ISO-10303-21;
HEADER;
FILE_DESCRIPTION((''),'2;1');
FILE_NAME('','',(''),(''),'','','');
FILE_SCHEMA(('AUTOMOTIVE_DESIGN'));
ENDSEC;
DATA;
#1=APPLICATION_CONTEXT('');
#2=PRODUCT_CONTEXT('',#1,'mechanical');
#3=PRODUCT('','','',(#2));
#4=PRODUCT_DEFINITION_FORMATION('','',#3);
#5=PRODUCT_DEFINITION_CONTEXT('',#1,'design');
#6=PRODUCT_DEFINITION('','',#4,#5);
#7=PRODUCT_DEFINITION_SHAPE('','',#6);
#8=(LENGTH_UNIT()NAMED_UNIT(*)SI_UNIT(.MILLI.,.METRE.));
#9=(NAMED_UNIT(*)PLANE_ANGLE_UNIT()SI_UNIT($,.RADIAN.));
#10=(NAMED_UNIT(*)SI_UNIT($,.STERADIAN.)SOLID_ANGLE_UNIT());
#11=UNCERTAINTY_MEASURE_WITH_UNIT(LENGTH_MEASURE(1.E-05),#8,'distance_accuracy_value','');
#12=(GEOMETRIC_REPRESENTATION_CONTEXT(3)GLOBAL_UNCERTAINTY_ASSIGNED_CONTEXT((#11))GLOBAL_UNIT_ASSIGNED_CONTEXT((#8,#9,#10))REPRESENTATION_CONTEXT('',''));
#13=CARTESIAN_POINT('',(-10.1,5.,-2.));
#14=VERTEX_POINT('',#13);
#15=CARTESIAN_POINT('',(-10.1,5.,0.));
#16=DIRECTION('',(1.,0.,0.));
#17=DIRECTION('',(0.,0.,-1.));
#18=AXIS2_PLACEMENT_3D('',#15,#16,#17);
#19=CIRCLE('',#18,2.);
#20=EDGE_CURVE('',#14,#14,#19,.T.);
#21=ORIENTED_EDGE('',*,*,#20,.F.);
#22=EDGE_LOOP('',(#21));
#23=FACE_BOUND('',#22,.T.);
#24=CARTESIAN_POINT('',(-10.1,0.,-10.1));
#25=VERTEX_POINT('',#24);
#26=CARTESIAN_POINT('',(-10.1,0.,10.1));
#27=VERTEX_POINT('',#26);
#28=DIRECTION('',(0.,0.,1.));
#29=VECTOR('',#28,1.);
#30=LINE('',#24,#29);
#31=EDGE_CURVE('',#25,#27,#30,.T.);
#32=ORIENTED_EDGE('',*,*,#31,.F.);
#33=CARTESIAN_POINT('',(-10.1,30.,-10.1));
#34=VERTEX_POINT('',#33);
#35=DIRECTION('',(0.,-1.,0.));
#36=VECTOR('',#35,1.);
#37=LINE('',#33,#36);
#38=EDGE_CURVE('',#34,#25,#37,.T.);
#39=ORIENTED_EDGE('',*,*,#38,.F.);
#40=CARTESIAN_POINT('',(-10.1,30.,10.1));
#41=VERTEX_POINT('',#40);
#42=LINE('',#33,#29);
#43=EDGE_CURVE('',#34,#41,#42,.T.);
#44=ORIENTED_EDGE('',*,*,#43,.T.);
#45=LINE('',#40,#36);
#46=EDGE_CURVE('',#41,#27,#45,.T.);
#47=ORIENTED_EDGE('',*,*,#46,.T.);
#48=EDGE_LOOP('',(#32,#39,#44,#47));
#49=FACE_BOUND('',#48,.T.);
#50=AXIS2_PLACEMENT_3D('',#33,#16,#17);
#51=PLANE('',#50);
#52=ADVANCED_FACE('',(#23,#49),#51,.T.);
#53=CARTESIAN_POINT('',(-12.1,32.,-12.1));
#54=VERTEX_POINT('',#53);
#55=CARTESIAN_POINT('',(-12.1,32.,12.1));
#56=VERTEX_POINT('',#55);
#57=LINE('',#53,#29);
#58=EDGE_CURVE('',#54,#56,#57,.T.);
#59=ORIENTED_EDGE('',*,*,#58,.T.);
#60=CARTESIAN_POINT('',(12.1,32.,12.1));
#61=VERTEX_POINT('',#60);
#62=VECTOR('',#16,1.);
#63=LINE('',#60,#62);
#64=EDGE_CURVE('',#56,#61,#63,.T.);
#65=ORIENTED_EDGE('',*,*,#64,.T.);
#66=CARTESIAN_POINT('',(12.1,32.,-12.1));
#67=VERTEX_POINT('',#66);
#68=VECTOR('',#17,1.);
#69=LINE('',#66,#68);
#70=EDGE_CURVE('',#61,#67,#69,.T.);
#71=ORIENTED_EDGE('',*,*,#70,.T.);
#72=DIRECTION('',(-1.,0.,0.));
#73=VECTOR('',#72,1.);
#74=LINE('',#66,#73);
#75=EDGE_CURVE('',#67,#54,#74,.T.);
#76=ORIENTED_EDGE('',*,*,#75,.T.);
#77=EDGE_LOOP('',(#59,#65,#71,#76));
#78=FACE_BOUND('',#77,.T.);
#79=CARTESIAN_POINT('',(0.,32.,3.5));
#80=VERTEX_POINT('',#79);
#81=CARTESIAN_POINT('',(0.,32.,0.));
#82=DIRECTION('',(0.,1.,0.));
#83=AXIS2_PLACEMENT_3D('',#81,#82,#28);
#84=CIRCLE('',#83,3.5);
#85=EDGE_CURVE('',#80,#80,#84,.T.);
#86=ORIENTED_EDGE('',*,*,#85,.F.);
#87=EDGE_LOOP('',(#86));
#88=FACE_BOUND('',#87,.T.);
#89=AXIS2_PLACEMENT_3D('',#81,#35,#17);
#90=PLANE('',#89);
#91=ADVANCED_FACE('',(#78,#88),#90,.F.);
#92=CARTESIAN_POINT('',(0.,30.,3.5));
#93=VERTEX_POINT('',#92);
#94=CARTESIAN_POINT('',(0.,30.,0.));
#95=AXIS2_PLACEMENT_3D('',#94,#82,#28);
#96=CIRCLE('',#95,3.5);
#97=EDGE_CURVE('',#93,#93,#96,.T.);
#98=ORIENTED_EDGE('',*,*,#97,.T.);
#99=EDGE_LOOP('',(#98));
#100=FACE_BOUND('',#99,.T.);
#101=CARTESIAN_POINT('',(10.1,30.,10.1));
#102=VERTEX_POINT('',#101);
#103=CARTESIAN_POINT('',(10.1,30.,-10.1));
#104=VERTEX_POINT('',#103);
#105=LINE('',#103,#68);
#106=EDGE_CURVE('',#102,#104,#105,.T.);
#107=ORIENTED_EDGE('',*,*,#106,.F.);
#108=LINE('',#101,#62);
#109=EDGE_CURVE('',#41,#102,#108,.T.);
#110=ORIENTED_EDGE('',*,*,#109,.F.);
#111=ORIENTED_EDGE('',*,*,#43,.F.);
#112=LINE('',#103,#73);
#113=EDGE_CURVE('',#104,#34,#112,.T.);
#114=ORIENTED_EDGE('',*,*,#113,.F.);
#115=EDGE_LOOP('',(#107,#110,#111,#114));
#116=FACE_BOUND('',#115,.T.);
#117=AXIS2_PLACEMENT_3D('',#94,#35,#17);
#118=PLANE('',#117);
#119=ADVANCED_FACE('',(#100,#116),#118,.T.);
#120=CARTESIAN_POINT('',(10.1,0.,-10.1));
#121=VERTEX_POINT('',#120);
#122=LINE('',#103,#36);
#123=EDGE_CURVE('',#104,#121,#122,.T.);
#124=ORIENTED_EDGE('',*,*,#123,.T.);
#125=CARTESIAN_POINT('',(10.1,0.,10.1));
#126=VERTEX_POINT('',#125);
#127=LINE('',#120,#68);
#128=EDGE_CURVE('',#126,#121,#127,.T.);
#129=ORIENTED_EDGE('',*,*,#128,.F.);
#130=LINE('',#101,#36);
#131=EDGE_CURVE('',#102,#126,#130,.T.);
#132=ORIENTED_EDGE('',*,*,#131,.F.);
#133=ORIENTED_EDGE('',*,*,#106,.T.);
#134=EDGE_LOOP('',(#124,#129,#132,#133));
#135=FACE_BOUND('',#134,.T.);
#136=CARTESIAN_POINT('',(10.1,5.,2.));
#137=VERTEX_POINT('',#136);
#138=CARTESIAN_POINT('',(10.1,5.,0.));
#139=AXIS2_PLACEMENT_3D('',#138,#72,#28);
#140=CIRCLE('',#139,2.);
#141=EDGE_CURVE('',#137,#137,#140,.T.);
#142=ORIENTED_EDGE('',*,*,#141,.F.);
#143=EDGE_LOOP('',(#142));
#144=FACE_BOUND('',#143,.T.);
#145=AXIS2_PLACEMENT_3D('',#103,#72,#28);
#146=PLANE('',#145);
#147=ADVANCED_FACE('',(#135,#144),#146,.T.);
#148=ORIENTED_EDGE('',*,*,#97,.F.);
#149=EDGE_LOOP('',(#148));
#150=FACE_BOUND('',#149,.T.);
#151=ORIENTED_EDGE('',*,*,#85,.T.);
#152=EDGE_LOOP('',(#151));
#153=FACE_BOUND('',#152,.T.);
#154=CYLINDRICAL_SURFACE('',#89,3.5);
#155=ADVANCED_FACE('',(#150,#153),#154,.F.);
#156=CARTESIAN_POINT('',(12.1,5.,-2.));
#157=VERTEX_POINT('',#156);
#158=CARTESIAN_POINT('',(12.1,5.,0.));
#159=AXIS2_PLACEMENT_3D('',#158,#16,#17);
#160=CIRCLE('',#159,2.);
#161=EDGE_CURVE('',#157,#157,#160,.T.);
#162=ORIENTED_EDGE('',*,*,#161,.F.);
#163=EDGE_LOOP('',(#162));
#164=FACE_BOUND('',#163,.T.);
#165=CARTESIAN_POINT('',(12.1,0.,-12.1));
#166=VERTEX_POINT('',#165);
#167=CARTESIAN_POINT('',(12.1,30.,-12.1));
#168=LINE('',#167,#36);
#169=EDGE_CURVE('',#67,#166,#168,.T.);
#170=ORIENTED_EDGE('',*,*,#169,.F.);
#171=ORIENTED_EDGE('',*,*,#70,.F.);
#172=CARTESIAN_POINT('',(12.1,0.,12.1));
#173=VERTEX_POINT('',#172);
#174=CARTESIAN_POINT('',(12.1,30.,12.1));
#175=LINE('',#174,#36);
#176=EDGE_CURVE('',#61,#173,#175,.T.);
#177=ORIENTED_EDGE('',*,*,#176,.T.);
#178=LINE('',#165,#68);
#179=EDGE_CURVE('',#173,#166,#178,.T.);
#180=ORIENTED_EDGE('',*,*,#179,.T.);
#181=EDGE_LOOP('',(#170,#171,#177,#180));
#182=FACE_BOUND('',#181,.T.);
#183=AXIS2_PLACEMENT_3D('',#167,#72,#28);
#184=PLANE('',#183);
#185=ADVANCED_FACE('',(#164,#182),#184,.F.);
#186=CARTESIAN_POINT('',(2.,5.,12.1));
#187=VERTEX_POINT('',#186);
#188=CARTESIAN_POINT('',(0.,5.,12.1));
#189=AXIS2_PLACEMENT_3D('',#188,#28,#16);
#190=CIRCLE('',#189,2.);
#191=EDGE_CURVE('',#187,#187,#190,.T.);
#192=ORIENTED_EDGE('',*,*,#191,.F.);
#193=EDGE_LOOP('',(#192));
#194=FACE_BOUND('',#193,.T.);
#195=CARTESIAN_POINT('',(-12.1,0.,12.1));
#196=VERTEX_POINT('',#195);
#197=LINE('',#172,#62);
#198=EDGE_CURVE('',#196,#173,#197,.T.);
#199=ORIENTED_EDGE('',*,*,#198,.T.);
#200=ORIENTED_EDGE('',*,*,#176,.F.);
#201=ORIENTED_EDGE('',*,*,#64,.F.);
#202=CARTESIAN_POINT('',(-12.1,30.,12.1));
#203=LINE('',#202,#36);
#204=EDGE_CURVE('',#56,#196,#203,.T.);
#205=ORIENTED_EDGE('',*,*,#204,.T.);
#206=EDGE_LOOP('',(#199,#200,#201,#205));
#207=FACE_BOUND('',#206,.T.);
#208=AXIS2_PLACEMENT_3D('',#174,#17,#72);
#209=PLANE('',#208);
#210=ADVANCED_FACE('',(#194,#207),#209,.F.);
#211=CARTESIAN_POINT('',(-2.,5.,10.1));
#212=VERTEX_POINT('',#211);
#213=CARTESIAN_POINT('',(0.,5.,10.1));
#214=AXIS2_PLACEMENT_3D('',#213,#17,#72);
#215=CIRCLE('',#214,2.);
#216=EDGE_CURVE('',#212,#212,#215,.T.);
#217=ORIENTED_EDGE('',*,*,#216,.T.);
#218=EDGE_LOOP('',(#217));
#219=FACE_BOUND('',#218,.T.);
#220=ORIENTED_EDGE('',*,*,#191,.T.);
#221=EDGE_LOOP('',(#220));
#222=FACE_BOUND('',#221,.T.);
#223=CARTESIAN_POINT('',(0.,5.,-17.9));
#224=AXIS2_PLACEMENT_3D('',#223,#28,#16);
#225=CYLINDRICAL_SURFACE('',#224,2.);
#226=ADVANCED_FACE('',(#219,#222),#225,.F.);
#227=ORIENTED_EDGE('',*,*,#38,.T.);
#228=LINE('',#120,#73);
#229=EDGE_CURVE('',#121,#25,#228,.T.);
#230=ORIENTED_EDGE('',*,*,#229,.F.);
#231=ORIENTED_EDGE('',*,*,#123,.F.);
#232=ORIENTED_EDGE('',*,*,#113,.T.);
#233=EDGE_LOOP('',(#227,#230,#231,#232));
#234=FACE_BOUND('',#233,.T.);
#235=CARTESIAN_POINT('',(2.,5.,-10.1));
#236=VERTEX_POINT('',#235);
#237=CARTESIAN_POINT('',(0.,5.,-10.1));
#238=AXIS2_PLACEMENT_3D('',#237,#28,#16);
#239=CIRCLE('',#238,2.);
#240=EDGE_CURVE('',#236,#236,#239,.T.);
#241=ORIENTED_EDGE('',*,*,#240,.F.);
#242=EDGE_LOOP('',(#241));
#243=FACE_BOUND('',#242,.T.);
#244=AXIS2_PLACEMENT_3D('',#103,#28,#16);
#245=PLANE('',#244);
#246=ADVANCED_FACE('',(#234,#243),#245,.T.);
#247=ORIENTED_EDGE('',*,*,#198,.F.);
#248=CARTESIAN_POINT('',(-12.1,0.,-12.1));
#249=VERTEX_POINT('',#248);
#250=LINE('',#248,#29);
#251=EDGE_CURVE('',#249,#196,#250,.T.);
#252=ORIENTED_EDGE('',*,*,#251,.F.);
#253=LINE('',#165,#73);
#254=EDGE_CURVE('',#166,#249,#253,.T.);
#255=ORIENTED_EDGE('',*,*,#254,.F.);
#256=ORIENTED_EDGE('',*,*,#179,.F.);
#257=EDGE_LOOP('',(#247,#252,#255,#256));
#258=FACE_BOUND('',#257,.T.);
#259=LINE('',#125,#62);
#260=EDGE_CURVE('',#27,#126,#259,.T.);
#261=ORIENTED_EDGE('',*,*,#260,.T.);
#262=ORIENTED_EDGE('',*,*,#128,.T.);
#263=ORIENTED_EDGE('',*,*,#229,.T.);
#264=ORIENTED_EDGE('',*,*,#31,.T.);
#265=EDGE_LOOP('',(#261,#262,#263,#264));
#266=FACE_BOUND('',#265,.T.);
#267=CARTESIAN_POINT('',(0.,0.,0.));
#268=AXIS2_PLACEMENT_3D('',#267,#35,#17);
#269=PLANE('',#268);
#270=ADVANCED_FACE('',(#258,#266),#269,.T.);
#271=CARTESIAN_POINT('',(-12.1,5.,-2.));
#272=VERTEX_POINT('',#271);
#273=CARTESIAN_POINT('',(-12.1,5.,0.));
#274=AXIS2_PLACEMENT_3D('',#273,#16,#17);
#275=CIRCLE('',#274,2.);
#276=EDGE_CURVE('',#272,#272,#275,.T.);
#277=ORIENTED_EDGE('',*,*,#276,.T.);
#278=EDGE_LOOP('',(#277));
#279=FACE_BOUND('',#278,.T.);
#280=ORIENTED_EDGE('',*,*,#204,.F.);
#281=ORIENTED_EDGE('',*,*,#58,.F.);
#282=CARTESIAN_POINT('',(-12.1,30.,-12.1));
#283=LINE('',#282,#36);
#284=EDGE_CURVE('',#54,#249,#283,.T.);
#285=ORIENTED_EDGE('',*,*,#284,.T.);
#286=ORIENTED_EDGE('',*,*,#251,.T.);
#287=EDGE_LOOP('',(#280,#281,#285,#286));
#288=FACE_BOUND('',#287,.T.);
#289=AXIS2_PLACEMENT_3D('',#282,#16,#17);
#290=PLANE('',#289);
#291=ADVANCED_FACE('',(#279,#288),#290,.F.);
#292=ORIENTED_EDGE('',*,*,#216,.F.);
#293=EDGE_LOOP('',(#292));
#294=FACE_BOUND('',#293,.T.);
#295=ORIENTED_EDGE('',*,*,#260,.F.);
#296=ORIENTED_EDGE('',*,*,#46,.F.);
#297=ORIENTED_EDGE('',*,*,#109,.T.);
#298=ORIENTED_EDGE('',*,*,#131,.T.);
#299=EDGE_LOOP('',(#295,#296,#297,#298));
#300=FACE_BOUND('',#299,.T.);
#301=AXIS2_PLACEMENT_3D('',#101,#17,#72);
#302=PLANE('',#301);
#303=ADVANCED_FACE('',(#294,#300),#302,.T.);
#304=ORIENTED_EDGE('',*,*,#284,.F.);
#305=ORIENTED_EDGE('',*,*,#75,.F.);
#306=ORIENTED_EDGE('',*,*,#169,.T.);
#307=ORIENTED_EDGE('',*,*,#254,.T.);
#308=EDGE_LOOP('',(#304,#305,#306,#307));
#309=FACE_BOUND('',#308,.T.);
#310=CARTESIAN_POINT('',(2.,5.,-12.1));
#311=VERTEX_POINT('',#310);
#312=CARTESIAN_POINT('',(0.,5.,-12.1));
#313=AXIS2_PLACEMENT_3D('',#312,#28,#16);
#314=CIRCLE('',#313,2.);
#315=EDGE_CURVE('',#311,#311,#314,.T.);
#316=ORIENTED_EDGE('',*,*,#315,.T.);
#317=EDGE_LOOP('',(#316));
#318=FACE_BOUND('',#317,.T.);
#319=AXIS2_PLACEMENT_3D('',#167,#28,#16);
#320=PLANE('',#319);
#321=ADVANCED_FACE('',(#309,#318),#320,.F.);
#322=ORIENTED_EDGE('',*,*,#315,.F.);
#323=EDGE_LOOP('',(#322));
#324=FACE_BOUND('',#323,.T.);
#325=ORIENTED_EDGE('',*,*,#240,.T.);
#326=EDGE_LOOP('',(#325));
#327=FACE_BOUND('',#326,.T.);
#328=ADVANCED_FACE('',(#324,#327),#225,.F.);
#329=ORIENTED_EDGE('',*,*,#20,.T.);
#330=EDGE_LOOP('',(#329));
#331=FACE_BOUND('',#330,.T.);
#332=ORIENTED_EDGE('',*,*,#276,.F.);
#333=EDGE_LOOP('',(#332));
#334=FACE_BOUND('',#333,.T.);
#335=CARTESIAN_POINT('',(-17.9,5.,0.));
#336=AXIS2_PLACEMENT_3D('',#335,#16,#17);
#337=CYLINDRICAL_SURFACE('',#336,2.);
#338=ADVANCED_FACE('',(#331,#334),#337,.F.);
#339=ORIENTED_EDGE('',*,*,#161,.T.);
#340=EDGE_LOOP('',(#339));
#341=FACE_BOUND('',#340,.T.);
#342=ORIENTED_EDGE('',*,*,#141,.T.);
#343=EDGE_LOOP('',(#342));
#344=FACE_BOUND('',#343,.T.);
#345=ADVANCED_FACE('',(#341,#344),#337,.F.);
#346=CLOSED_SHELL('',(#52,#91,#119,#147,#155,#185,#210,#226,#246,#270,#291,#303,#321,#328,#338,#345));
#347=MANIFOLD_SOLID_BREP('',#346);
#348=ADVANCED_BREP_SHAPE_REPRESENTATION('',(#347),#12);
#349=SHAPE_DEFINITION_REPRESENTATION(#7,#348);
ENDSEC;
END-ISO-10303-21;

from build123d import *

# Parameters (mm, degrees)
SKETCH1_W           = 24.2
SKETCH1_H           = 24.2
SKETCH1_W_2         = 20.2
SKETCH1_H_2         = 20.2
BOSS_EXTRUDE1_DEPTH = 30
SKETCH2_R           = 2
CUT_EXTRUDE1_DEPTH  = 30
SKETCH3_R           = 2
CUT_EXTRUDE2_DEPTH  = 30
SKETCH4_W           = 24.2
SKETCH4_H           = 24.2
SKETCH4_R           = 3.5
BOSS_EXTRUDE2_DEPTH = 2


with BuildPart() as part:
    # Sketch1 → Boss-Extrude1 (new body)
    with BuildSketch(Plane(origin=(0, 0, 0), x_dir=(1, 0, 0), z_dir=(0, 1, 0))):
        Rectangle(SKETCH1_W, SKETCH1_H)
        Rectangle(SKETCH1_W_2, SKETCH1_H_2, mode=Mode.SUBTRACT)
    extrude(amount=BOSS_EXTRUDE1_DEPTH)

    # Sketch2 → Cut-Extrude1 (cut)
    with BuildSketch(Plane.XY.offset(12.1)):
        with Locations((0, 5)):
            Circle(SKETCH2_R)
    extrude(amount=-CUT_EXTRUDE1_DEPTH, mode=Mode.SUBTRACT)

    # Sketch3 → Cut-Extrude2 (cut)
    with BuildSketch(Plane(origin=(12.1, 0, 0), x_dir=(0, 0, -1), z_dir=(1, 0, 0))):
        with Locations((0, 5)):
            Circle(SKETCH3_R)
    extrude(amount=-CUT_EXTRUDE2_DEPTH, mode=Mode.SUBTRACT)

    # Sketch4 → Boss-Extrude2 (add)
    with BuildSketch(Plane(origin=(0, 30, 0), x_dir=(1, 0, 0), z_dir=(0, 1, 0))):
        Rectangle(SKETCH4_W, SKETCH4_H)
        with Locations(Location((0, 0, 0), (0, 0, 270))):
            Circle(SKETCH4_R, mode=Mode.SUBTRACT)
    extrude(amount=BOSS_EXTRUDE2_DEPTH)


solid = part.part
